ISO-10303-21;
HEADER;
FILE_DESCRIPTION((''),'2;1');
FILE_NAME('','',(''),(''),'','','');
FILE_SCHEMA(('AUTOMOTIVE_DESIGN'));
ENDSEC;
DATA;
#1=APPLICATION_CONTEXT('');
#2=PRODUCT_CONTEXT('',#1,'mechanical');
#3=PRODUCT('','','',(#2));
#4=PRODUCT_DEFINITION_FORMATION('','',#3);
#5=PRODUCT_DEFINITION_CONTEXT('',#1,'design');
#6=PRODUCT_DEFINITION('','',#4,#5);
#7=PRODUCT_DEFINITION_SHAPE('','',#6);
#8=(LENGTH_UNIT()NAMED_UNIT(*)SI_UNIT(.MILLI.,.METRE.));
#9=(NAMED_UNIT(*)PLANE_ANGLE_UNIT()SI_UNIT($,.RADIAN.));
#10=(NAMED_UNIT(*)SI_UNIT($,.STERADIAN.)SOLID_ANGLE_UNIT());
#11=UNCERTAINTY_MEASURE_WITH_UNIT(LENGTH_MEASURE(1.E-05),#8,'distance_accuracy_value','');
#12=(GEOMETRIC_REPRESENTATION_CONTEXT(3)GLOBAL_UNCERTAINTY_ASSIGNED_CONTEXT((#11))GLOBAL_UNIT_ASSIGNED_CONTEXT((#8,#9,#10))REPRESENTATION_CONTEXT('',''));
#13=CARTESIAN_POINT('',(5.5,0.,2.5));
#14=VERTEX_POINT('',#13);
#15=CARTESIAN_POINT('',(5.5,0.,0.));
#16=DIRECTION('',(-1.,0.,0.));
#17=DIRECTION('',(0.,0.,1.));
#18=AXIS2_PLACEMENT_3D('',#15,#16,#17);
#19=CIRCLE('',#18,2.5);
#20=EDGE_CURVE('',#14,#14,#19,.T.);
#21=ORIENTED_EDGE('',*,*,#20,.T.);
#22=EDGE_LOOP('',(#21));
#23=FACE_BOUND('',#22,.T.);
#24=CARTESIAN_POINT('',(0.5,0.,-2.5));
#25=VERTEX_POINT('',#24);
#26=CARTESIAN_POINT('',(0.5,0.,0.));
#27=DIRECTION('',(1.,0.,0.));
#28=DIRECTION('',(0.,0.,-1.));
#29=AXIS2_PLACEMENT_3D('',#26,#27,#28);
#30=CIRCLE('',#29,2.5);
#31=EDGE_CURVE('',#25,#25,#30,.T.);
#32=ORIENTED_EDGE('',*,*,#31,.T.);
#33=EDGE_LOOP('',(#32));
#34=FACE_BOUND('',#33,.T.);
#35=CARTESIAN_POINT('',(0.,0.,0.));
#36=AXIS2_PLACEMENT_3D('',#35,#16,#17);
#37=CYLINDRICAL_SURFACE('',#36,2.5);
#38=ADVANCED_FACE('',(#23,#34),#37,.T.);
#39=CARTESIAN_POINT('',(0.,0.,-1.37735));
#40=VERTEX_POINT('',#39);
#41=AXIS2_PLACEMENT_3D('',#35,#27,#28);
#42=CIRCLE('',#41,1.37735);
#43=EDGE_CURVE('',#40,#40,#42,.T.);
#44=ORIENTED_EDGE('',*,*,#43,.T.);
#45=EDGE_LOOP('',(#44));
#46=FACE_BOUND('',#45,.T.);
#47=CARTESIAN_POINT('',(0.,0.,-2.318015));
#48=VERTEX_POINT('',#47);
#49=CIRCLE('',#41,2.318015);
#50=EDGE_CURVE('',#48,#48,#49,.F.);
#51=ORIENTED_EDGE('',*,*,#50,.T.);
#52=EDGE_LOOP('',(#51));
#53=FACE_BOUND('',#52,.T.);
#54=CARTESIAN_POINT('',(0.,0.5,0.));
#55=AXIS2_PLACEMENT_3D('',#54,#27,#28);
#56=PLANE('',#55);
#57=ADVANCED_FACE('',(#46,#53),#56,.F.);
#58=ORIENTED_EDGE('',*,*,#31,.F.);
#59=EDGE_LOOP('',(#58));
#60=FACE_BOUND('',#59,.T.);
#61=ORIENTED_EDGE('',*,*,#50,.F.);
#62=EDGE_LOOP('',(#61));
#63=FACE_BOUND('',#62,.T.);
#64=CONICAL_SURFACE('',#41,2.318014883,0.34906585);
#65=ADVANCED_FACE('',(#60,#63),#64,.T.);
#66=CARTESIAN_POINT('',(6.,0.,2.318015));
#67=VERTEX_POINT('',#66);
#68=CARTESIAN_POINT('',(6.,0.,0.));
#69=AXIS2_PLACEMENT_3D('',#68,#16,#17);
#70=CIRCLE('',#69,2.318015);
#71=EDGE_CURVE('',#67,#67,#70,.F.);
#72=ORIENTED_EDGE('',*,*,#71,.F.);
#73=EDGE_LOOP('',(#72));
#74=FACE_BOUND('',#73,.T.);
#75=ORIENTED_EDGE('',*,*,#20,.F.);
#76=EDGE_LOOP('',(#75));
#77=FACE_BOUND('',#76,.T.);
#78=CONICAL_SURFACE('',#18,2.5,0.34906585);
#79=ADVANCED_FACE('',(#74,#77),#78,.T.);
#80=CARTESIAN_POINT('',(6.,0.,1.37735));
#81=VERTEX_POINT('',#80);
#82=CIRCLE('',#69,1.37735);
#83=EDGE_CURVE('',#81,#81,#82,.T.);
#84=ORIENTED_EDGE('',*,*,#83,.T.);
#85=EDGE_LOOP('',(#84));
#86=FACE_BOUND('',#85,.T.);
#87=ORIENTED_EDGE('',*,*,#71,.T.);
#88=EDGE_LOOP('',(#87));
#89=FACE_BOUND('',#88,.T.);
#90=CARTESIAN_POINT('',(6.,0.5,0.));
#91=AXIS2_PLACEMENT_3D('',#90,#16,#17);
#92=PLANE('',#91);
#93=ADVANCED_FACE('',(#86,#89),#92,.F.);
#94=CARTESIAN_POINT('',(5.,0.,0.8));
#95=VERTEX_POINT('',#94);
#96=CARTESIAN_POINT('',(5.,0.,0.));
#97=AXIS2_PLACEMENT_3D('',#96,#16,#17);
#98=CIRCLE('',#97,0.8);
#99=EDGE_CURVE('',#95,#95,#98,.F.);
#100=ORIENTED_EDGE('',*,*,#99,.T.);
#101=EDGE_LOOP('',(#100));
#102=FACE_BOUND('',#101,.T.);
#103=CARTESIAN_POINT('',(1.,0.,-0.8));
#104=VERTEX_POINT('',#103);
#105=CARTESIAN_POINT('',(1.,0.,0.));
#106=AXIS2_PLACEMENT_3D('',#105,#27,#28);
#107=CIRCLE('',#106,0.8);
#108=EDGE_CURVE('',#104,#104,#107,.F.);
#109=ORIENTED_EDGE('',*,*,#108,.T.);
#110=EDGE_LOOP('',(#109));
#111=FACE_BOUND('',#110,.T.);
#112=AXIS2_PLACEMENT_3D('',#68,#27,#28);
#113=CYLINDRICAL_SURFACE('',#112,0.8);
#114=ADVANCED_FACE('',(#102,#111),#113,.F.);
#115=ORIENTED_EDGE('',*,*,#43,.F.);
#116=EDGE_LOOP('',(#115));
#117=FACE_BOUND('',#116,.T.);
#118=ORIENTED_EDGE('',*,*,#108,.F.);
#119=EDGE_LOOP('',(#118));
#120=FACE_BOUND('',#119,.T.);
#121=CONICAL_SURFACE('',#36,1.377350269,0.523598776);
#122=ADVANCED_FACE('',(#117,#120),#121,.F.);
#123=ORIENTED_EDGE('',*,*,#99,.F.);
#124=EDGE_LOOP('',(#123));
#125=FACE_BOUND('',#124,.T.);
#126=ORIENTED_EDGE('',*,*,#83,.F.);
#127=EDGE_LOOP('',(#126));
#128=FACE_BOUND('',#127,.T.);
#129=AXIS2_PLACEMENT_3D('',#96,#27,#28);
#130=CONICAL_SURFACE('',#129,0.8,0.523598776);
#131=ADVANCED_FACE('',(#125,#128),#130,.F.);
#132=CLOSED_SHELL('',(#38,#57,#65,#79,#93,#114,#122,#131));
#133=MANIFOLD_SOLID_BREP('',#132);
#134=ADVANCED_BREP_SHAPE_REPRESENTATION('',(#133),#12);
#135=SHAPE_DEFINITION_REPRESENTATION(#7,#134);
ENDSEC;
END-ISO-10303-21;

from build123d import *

# Parameters (mm, degrees)
SKIZZE1_W            = 6
SKIZZE1_H            = 2
M2_GEWINDEBOHRUNG1_D = 1.6
FASE1_SIZE           = 0.5
FASE1_SIZE2          = 0.181985117
FASE2_SIZE           = 1
FASE2_SIZE2          = 0.577350269


with BuildPart() as part:
    # Skizze1 → Rotation1 (revolve)
    with BuildSketch(Plane.XY):
        with Locations((3, 1.5)):
            Rectangle(SKIZZE1_W, SKIZZE1_H)
    revolve(axis=Axis((0, 0, 0), (1, 0, 0)))

    # M2 Gewindebohrung1 (through all)
    with Locations(Plane(origin=(6, 0, 0), x_dir=(0, 0, -1), z_dir=(1, 0, 0))):
        with Locations((0, 0)):
            Hole(M2_GEWINDEBOHRUNG1_D / 2)

    # Fase1
    fase1_edges = [part.edges().sort_by_distance(p)[0] for p in [
        (6, -2.5, 0),
        (0, -2.5, 0),
    ]]
    fase1_side = [part.faces().sort_by_distance(p)[0] for p in [
        (3, -2.5, 0),
    ]]
    chamfer(fase1_edges, length=FASE1_SIZE, length2=FASE1_SIZE2, reference=fase1_side[0])

    # Fase2
    fase2_edges = [part.edges().sort_by_distance(p)[0] for p in [
        (6, 0, -0.8),
        (0, 0, -0.8),
    ]]
    fase2_side = [part.faces().sort_by_distance(p)[0] for p in [
        (3, 0, -0.8),
    ]]
    chamfer(fase2_edges, length=FASE2_SIZE, length2=FASE2_SIZE2, reference=fase2_side[0])


solid = part.part
